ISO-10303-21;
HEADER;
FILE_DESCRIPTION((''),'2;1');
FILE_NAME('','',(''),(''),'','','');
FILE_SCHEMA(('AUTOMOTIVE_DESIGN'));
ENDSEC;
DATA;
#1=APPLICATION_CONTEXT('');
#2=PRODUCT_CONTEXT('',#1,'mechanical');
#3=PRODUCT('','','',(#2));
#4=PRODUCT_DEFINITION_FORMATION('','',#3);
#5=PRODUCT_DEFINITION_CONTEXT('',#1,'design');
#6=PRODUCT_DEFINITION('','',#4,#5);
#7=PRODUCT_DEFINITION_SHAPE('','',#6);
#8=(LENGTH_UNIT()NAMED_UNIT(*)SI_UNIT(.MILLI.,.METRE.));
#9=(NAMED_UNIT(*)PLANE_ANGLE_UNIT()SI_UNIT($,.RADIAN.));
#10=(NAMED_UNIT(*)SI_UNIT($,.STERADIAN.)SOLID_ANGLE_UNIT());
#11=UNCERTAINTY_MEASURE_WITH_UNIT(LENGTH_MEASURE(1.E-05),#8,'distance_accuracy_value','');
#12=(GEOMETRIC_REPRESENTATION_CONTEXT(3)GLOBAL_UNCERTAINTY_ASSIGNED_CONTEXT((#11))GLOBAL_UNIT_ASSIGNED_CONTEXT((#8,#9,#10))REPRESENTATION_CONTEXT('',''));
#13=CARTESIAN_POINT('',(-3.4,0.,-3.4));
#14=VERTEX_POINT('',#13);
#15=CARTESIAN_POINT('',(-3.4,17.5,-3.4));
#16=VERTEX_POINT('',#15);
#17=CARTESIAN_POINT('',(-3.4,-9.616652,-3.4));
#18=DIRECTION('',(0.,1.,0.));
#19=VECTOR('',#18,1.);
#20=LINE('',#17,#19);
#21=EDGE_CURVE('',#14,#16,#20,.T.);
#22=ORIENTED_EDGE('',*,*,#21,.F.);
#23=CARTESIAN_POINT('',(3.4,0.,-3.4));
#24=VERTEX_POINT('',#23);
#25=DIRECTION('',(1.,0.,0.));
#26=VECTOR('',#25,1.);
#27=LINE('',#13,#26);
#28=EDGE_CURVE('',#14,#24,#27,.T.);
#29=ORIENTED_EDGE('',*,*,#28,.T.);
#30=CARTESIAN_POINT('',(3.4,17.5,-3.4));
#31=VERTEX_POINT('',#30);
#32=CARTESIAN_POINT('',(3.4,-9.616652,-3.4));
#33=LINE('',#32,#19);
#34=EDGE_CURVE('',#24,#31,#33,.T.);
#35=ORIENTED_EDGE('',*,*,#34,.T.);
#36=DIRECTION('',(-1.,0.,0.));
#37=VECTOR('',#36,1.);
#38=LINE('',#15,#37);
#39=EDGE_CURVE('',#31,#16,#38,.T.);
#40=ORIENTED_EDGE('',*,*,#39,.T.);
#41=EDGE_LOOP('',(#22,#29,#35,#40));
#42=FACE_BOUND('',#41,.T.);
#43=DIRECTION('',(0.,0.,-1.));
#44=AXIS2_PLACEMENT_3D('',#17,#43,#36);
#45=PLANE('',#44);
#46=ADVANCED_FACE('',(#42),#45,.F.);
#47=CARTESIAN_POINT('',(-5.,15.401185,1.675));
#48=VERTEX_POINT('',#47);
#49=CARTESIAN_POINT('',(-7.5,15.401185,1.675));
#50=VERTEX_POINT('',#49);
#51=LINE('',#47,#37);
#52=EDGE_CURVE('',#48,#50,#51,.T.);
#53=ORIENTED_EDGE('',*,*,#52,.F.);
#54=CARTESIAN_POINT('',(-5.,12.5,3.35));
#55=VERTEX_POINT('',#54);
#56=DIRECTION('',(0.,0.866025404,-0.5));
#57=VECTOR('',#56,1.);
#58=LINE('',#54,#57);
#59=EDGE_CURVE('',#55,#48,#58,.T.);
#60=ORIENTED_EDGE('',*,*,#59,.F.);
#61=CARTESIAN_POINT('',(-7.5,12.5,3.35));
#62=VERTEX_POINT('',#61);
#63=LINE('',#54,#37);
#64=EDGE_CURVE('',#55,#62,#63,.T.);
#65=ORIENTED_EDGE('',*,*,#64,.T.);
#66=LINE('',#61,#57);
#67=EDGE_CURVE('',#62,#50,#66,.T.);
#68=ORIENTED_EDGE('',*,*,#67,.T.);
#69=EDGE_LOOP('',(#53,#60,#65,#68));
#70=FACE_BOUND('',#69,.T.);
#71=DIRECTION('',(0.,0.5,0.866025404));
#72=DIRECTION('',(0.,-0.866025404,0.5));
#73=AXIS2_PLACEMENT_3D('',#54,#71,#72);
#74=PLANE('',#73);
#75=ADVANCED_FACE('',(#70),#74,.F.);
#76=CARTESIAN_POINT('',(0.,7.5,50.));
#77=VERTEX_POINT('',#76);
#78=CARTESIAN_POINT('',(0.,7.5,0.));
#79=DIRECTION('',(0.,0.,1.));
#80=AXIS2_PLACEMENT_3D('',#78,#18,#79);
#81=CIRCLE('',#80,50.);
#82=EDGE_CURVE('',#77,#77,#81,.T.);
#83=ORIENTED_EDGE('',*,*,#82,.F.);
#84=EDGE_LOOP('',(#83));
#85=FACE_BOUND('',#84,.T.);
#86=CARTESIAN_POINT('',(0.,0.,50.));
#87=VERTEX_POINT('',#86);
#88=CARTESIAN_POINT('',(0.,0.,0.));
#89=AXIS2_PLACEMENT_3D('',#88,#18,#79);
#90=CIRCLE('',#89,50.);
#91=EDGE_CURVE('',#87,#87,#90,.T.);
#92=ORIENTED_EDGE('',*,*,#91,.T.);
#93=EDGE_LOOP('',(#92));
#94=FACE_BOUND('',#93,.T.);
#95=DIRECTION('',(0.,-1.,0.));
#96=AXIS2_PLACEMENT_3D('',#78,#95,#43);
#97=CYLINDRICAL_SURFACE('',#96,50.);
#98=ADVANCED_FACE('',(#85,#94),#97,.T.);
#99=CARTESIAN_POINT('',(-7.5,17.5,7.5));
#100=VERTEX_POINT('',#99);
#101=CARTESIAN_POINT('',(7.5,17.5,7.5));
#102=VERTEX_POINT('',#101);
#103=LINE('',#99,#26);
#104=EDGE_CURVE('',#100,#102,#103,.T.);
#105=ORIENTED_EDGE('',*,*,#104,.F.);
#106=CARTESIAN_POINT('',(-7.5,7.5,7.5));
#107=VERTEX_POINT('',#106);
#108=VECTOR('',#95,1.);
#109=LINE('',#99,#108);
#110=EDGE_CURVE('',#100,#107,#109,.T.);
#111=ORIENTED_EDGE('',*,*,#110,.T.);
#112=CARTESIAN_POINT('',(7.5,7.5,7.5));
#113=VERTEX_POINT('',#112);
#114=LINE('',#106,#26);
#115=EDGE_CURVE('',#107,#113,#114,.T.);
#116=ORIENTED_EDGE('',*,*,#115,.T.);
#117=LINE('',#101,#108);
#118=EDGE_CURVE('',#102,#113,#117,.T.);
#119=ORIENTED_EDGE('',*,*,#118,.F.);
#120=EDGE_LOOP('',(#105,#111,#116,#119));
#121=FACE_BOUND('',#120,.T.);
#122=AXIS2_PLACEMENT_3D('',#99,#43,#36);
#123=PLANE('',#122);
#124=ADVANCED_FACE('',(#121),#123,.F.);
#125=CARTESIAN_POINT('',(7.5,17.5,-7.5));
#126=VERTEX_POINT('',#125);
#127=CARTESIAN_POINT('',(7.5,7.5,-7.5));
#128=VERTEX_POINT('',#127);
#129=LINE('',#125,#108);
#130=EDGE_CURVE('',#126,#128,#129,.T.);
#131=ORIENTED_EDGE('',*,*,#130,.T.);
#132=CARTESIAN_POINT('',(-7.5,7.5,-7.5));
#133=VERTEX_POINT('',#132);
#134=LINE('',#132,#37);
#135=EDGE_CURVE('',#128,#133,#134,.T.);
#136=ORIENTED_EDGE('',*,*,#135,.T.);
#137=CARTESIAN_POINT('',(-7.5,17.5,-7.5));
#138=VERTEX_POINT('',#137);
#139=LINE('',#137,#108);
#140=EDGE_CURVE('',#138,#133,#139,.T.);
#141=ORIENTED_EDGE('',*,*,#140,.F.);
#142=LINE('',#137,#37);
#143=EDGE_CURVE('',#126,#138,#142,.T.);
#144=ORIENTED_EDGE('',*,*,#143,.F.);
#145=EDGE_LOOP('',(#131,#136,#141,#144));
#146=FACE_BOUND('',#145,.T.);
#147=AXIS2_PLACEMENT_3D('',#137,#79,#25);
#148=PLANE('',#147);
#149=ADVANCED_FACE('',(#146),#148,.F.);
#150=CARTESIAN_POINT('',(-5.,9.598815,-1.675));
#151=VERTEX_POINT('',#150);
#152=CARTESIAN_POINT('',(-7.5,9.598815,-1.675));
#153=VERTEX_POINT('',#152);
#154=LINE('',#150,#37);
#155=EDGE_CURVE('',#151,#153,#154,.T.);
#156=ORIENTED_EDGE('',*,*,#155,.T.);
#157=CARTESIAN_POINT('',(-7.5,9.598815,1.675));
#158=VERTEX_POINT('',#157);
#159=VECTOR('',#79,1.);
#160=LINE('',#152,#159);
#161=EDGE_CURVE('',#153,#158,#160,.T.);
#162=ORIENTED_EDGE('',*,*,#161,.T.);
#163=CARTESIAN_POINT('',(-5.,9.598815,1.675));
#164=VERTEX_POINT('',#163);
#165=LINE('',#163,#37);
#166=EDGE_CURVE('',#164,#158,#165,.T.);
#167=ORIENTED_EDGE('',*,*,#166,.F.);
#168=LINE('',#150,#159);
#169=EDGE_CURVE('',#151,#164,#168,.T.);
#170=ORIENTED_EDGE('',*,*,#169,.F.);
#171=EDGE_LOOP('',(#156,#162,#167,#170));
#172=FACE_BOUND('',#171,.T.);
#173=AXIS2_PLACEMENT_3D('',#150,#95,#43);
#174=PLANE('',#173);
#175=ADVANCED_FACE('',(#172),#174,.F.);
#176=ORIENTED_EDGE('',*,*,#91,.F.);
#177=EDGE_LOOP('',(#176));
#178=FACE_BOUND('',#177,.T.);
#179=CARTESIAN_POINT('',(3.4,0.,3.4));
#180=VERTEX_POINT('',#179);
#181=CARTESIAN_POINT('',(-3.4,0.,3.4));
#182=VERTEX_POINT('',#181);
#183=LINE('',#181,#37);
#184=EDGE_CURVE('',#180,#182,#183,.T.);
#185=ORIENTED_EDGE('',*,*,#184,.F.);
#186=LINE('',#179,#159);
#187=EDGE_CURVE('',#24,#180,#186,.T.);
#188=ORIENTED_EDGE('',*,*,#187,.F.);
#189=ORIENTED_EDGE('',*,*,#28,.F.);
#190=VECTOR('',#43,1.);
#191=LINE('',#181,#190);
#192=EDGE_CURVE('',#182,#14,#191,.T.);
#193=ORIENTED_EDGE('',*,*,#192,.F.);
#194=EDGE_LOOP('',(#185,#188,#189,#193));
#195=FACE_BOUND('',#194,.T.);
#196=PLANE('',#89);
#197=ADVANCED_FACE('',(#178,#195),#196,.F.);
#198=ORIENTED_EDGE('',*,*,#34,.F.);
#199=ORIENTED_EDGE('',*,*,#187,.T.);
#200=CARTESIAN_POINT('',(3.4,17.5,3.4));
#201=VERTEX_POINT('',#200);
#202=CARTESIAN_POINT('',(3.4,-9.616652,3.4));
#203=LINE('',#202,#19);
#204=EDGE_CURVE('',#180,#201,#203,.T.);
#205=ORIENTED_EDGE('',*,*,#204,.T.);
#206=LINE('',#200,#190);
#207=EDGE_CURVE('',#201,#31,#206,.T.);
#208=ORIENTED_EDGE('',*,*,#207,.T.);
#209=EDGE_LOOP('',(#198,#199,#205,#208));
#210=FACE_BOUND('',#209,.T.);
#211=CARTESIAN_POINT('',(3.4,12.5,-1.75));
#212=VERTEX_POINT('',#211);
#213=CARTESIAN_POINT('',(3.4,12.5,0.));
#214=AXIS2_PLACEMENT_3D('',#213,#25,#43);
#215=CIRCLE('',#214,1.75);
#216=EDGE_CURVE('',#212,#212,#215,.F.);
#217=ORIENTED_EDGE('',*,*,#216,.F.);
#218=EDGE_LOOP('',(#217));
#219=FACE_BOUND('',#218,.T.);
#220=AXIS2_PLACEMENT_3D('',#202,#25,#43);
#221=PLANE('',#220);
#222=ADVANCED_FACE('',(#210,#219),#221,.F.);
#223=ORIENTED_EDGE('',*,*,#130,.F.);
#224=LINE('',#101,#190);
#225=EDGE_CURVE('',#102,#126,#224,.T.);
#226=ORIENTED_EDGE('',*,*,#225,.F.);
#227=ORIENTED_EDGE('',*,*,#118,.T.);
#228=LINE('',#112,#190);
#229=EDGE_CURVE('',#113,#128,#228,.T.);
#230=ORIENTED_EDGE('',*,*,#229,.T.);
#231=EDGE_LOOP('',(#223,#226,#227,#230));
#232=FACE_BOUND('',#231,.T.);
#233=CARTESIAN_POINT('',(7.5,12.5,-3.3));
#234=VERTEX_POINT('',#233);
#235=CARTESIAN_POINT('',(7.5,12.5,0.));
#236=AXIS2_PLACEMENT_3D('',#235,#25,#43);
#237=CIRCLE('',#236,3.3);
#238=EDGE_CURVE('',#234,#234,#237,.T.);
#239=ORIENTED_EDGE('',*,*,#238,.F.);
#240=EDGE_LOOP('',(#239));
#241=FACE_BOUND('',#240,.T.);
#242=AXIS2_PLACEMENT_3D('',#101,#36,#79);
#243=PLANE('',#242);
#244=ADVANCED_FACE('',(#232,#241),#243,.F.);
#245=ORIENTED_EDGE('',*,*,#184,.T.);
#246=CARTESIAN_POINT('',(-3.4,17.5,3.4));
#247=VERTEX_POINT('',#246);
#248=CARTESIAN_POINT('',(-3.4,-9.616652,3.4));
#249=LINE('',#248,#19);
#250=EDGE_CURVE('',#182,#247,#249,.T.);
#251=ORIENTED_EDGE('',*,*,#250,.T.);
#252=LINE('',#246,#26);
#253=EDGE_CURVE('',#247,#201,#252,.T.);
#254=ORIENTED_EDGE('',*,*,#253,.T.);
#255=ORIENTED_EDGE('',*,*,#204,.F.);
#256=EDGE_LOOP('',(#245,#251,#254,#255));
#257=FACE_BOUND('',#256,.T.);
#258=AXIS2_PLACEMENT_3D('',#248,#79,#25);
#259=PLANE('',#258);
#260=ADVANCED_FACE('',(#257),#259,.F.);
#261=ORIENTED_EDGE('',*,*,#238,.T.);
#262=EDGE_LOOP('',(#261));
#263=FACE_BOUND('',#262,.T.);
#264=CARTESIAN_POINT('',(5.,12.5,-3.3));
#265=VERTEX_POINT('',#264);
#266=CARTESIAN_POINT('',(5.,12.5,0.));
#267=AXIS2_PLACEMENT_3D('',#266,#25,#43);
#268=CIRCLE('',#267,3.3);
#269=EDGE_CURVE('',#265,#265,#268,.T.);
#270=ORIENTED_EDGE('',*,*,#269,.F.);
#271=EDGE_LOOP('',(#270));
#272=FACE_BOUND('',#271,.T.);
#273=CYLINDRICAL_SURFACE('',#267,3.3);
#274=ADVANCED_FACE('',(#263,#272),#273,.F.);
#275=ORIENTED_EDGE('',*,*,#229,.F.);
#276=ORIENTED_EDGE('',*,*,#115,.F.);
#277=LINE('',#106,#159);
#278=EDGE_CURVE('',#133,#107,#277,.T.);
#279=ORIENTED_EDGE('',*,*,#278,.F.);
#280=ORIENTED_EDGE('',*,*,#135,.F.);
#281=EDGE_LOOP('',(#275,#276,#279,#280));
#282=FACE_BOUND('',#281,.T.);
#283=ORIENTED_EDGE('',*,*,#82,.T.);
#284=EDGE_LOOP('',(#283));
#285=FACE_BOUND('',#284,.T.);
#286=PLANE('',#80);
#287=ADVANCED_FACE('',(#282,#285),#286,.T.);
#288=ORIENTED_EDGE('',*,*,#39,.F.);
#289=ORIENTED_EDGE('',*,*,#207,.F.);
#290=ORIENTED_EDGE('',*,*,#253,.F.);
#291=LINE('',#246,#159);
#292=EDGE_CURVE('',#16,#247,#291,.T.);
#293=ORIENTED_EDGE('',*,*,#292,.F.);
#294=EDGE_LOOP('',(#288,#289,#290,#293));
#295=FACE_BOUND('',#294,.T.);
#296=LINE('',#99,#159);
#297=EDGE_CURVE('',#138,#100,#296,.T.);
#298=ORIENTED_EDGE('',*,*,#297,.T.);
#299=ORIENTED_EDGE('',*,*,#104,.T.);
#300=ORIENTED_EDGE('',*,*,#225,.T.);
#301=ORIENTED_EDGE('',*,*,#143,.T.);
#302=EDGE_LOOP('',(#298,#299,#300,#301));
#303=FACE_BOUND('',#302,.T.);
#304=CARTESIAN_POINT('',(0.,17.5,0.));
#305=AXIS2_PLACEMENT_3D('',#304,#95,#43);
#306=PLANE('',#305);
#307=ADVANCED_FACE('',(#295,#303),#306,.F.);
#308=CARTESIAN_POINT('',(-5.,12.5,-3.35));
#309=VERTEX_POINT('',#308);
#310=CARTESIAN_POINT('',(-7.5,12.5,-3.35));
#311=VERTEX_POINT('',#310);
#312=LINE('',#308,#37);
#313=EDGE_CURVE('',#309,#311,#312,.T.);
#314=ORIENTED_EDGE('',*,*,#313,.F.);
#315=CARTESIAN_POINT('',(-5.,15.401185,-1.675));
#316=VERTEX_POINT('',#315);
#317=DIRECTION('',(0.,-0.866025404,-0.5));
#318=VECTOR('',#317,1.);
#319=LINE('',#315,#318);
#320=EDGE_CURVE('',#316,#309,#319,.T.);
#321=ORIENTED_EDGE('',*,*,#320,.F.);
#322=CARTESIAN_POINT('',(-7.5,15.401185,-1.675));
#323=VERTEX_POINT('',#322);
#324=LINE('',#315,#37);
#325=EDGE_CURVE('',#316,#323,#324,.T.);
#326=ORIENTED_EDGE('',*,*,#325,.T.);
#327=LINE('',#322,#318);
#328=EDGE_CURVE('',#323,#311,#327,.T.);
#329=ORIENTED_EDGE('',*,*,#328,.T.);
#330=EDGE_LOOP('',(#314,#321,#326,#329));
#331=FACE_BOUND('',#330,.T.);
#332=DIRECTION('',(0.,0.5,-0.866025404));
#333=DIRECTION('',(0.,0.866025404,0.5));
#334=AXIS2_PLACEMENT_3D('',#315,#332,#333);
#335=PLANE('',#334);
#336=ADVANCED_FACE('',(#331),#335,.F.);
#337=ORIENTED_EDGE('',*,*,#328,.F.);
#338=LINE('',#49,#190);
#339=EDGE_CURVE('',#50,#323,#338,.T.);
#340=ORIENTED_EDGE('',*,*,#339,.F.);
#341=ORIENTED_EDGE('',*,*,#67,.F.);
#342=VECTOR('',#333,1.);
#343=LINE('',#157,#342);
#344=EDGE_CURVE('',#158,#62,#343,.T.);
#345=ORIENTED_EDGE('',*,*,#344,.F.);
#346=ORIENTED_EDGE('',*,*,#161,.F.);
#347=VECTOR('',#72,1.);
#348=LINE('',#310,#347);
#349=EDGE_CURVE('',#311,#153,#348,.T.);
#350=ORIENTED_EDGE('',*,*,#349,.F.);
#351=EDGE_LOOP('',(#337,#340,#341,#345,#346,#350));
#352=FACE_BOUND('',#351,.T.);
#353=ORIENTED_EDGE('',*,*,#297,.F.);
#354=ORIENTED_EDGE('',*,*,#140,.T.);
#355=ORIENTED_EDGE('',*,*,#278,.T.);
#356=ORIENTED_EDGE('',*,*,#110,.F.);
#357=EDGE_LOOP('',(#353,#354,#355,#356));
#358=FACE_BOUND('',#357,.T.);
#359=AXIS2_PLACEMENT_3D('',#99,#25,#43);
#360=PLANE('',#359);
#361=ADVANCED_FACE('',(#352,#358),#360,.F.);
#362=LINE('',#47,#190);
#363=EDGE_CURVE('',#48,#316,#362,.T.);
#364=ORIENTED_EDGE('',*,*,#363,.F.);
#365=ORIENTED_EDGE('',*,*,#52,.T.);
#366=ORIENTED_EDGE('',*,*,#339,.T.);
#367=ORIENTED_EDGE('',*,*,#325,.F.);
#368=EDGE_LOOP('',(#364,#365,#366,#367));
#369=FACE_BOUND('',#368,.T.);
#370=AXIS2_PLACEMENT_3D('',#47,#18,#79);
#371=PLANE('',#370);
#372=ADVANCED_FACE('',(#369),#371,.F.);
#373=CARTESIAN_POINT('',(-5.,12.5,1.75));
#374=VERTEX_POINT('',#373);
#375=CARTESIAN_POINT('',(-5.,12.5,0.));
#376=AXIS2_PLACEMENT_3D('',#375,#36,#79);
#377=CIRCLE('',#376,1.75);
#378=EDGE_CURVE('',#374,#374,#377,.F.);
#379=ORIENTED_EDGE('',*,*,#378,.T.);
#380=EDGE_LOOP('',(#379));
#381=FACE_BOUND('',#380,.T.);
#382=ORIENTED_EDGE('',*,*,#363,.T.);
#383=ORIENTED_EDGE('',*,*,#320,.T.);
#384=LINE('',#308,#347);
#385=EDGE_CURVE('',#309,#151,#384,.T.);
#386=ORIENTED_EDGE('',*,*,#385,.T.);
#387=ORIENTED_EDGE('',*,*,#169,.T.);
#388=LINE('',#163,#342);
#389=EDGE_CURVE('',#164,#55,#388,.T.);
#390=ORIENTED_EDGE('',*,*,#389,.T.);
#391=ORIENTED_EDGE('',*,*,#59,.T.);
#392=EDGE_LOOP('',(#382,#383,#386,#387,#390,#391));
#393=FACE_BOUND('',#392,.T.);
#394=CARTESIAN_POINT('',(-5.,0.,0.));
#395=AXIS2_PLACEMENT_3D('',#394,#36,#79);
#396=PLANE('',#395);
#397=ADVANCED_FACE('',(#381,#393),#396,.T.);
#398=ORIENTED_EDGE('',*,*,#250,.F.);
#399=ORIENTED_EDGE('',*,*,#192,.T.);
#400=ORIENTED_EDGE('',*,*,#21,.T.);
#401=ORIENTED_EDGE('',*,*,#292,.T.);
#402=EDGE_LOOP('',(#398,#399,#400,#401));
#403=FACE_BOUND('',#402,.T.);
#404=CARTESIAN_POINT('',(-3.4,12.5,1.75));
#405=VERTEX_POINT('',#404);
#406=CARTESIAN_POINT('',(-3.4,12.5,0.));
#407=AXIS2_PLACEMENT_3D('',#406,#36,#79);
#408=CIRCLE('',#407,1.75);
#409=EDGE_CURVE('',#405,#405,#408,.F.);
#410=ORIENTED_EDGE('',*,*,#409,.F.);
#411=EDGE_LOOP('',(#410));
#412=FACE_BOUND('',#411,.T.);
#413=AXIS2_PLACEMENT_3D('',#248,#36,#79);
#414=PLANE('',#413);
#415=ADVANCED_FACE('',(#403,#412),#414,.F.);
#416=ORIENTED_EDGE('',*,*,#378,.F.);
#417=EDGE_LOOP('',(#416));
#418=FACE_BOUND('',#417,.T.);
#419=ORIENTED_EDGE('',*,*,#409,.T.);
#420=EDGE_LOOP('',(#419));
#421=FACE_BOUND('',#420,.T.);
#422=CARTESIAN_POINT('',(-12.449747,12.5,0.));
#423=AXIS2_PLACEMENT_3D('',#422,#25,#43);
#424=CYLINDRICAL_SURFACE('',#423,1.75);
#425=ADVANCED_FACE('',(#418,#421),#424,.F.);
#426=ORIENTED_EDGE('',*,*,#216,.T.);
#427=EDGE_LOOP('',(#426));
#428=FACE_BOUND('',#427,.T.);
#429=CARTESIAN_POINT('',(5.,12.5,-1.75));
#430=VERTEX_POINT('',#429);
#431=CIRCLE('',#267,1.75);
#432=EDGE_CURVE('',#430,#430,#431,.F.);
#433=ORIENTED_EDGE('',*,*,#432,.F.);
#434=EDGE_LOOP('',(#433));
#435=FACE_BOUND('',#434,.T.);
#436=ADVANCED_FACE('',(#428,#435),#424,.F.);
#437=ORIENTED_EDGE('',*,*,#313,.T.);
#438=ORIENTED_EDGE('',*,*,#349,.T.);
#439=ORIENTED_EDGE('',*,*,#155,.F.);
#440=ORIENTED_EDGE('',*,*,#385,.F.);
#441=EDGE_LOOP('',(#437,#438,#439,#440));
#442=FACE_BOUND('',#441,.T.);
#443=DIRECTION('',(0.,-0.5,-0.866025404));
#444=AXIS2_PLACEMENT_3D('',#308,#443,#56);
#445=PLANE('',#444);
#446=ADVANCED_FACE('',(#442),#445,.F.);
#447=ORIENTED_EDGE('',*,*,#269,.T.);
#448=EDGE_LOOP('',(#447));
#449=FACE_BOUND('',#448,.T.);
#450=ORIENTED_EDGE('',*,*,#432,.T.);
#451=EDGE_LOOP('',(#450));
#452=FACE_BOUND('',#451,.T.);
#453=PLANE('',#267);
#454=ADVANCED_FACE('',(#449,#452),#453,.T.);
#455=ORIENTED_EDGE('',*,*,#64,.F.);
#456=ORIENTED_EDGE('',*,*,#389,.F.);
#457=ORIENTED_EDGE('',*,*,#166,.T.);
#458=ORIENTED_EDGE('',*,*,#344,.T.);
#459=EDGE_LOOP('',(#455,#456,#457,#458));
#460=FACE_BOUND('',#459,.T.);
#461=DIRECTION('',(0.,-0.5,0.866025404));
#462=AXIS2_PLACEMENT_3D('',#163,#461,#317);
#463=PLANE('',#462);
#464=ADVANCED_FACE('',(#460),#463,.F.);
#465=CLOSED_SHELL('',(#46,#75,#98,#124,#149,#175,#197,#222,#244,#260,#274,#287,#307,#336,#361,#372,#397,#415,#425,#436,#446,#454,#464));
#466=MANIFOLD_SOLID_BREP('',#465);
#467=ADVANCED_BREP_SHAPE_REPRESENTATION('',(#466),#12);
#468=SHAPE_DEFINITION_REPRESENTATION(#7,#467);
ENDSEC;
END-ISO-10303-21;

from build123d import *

# Parameters (mm, degrees)
SKETCH1_R           = 50
BOSS_EXTRUDE1_DEPTH = 7.5
SKETCH2_W           = 15
SKETCH2_H           = 15
BOSS_EXTRUDE2_DEPTH = 10
SKETCH3_R           = 1.75
CUT_EXTRUDE1_DEPTH  = 15
SKETCH4_R           = 3.3
CUT_EXTRUDE2_DEPTH  = 2.5
CUT_EXTRUDE3_DEPTH  = 2.5
SKETCH6_W           = 6.8
SKETCH6_H           = 6.8
CUT_EXTRUDE4_DEPTH  = 17.5


with BuildPart() as part:
    # Sketch1 → Boss-Extrude1 (new body)
    with BuildSketch(Plane(origin=(0, 0, 0), x_dir=(1, 0, 0), z_dir=(0, 1, 0))):
        with Locations(Location((0, 0, 0), (0, 0, 270))):
            Circle(SKETCH1_R)
    extrude(amount=BOSS_EXTRUDE1_DEPTH)

    # Sketch2 → Boss-Extrude2 (add)
    with BuildSketch(Plane(origin=(0, 7.5, 0), x_dir=(1, 0, 0), z_dir=(0, 1, 0))):
        Rectangle(SKETCH2_W, SKETCH2_H)
    extrude(amount=BOSS_EXTRUDE2_DEPTH)

    # Sketch3 → Cut-Extrude1 (cut)
    with BuildSketch(Plane(origin=(7.5, 0, 0), x_dir=(0, 0, -1), z_dir=(1, 0, 0))):
        with Locations((0, 12.5)):
            Circle(SKETCH3_R)
    extrude(amount=-CUT_EXTRUDE1_DEPTH, mode=Mode.SUBTRACT)

    # Sketch4 → Cut-Extrude2 (cut)
    with BuildSketch(Plane(origin=(7.5, 0, 0), x_dir=(0, 0, -1), z_dir=(1, 0, 0))):
        with Locations((0, 12.5)):
            Circle(SKETCH4_R)
    extrude(amount=-CUT_EXTRUDE2_DEPTH, mode=Mode.SUBTRACT)

    # Sketch5 → Cut-Extrude3 (cut)
    with BuildSketch(Plane.ZY.offset(7.5)):
        Polygon((-3.35, 12.5), (-1.675, 9.598814897), (1.675, 9.598814897), (3.35, 12.5), (1.675, 15.401185103), (-1.675, 15.401185103), align=None)
    extrude(amount=-CUT_EXTRUDE3_DEPTH, mode=Mode.SUBTRACT)

    # Sketch6 → Cut-Extrude4 (cut)
    with BuildSketch(Plane(origin=(0, 17.5, 0), x_dir=(1, 0, 0), z_dir=(0, 1, 0))):
        Rectangle(SKETCH6_W, SKETCH6_H)
    extrude(amount=-CUT_EXTRUDE4_DEPTH, mode=Mode.SUBTRACT)


solid = part.part
